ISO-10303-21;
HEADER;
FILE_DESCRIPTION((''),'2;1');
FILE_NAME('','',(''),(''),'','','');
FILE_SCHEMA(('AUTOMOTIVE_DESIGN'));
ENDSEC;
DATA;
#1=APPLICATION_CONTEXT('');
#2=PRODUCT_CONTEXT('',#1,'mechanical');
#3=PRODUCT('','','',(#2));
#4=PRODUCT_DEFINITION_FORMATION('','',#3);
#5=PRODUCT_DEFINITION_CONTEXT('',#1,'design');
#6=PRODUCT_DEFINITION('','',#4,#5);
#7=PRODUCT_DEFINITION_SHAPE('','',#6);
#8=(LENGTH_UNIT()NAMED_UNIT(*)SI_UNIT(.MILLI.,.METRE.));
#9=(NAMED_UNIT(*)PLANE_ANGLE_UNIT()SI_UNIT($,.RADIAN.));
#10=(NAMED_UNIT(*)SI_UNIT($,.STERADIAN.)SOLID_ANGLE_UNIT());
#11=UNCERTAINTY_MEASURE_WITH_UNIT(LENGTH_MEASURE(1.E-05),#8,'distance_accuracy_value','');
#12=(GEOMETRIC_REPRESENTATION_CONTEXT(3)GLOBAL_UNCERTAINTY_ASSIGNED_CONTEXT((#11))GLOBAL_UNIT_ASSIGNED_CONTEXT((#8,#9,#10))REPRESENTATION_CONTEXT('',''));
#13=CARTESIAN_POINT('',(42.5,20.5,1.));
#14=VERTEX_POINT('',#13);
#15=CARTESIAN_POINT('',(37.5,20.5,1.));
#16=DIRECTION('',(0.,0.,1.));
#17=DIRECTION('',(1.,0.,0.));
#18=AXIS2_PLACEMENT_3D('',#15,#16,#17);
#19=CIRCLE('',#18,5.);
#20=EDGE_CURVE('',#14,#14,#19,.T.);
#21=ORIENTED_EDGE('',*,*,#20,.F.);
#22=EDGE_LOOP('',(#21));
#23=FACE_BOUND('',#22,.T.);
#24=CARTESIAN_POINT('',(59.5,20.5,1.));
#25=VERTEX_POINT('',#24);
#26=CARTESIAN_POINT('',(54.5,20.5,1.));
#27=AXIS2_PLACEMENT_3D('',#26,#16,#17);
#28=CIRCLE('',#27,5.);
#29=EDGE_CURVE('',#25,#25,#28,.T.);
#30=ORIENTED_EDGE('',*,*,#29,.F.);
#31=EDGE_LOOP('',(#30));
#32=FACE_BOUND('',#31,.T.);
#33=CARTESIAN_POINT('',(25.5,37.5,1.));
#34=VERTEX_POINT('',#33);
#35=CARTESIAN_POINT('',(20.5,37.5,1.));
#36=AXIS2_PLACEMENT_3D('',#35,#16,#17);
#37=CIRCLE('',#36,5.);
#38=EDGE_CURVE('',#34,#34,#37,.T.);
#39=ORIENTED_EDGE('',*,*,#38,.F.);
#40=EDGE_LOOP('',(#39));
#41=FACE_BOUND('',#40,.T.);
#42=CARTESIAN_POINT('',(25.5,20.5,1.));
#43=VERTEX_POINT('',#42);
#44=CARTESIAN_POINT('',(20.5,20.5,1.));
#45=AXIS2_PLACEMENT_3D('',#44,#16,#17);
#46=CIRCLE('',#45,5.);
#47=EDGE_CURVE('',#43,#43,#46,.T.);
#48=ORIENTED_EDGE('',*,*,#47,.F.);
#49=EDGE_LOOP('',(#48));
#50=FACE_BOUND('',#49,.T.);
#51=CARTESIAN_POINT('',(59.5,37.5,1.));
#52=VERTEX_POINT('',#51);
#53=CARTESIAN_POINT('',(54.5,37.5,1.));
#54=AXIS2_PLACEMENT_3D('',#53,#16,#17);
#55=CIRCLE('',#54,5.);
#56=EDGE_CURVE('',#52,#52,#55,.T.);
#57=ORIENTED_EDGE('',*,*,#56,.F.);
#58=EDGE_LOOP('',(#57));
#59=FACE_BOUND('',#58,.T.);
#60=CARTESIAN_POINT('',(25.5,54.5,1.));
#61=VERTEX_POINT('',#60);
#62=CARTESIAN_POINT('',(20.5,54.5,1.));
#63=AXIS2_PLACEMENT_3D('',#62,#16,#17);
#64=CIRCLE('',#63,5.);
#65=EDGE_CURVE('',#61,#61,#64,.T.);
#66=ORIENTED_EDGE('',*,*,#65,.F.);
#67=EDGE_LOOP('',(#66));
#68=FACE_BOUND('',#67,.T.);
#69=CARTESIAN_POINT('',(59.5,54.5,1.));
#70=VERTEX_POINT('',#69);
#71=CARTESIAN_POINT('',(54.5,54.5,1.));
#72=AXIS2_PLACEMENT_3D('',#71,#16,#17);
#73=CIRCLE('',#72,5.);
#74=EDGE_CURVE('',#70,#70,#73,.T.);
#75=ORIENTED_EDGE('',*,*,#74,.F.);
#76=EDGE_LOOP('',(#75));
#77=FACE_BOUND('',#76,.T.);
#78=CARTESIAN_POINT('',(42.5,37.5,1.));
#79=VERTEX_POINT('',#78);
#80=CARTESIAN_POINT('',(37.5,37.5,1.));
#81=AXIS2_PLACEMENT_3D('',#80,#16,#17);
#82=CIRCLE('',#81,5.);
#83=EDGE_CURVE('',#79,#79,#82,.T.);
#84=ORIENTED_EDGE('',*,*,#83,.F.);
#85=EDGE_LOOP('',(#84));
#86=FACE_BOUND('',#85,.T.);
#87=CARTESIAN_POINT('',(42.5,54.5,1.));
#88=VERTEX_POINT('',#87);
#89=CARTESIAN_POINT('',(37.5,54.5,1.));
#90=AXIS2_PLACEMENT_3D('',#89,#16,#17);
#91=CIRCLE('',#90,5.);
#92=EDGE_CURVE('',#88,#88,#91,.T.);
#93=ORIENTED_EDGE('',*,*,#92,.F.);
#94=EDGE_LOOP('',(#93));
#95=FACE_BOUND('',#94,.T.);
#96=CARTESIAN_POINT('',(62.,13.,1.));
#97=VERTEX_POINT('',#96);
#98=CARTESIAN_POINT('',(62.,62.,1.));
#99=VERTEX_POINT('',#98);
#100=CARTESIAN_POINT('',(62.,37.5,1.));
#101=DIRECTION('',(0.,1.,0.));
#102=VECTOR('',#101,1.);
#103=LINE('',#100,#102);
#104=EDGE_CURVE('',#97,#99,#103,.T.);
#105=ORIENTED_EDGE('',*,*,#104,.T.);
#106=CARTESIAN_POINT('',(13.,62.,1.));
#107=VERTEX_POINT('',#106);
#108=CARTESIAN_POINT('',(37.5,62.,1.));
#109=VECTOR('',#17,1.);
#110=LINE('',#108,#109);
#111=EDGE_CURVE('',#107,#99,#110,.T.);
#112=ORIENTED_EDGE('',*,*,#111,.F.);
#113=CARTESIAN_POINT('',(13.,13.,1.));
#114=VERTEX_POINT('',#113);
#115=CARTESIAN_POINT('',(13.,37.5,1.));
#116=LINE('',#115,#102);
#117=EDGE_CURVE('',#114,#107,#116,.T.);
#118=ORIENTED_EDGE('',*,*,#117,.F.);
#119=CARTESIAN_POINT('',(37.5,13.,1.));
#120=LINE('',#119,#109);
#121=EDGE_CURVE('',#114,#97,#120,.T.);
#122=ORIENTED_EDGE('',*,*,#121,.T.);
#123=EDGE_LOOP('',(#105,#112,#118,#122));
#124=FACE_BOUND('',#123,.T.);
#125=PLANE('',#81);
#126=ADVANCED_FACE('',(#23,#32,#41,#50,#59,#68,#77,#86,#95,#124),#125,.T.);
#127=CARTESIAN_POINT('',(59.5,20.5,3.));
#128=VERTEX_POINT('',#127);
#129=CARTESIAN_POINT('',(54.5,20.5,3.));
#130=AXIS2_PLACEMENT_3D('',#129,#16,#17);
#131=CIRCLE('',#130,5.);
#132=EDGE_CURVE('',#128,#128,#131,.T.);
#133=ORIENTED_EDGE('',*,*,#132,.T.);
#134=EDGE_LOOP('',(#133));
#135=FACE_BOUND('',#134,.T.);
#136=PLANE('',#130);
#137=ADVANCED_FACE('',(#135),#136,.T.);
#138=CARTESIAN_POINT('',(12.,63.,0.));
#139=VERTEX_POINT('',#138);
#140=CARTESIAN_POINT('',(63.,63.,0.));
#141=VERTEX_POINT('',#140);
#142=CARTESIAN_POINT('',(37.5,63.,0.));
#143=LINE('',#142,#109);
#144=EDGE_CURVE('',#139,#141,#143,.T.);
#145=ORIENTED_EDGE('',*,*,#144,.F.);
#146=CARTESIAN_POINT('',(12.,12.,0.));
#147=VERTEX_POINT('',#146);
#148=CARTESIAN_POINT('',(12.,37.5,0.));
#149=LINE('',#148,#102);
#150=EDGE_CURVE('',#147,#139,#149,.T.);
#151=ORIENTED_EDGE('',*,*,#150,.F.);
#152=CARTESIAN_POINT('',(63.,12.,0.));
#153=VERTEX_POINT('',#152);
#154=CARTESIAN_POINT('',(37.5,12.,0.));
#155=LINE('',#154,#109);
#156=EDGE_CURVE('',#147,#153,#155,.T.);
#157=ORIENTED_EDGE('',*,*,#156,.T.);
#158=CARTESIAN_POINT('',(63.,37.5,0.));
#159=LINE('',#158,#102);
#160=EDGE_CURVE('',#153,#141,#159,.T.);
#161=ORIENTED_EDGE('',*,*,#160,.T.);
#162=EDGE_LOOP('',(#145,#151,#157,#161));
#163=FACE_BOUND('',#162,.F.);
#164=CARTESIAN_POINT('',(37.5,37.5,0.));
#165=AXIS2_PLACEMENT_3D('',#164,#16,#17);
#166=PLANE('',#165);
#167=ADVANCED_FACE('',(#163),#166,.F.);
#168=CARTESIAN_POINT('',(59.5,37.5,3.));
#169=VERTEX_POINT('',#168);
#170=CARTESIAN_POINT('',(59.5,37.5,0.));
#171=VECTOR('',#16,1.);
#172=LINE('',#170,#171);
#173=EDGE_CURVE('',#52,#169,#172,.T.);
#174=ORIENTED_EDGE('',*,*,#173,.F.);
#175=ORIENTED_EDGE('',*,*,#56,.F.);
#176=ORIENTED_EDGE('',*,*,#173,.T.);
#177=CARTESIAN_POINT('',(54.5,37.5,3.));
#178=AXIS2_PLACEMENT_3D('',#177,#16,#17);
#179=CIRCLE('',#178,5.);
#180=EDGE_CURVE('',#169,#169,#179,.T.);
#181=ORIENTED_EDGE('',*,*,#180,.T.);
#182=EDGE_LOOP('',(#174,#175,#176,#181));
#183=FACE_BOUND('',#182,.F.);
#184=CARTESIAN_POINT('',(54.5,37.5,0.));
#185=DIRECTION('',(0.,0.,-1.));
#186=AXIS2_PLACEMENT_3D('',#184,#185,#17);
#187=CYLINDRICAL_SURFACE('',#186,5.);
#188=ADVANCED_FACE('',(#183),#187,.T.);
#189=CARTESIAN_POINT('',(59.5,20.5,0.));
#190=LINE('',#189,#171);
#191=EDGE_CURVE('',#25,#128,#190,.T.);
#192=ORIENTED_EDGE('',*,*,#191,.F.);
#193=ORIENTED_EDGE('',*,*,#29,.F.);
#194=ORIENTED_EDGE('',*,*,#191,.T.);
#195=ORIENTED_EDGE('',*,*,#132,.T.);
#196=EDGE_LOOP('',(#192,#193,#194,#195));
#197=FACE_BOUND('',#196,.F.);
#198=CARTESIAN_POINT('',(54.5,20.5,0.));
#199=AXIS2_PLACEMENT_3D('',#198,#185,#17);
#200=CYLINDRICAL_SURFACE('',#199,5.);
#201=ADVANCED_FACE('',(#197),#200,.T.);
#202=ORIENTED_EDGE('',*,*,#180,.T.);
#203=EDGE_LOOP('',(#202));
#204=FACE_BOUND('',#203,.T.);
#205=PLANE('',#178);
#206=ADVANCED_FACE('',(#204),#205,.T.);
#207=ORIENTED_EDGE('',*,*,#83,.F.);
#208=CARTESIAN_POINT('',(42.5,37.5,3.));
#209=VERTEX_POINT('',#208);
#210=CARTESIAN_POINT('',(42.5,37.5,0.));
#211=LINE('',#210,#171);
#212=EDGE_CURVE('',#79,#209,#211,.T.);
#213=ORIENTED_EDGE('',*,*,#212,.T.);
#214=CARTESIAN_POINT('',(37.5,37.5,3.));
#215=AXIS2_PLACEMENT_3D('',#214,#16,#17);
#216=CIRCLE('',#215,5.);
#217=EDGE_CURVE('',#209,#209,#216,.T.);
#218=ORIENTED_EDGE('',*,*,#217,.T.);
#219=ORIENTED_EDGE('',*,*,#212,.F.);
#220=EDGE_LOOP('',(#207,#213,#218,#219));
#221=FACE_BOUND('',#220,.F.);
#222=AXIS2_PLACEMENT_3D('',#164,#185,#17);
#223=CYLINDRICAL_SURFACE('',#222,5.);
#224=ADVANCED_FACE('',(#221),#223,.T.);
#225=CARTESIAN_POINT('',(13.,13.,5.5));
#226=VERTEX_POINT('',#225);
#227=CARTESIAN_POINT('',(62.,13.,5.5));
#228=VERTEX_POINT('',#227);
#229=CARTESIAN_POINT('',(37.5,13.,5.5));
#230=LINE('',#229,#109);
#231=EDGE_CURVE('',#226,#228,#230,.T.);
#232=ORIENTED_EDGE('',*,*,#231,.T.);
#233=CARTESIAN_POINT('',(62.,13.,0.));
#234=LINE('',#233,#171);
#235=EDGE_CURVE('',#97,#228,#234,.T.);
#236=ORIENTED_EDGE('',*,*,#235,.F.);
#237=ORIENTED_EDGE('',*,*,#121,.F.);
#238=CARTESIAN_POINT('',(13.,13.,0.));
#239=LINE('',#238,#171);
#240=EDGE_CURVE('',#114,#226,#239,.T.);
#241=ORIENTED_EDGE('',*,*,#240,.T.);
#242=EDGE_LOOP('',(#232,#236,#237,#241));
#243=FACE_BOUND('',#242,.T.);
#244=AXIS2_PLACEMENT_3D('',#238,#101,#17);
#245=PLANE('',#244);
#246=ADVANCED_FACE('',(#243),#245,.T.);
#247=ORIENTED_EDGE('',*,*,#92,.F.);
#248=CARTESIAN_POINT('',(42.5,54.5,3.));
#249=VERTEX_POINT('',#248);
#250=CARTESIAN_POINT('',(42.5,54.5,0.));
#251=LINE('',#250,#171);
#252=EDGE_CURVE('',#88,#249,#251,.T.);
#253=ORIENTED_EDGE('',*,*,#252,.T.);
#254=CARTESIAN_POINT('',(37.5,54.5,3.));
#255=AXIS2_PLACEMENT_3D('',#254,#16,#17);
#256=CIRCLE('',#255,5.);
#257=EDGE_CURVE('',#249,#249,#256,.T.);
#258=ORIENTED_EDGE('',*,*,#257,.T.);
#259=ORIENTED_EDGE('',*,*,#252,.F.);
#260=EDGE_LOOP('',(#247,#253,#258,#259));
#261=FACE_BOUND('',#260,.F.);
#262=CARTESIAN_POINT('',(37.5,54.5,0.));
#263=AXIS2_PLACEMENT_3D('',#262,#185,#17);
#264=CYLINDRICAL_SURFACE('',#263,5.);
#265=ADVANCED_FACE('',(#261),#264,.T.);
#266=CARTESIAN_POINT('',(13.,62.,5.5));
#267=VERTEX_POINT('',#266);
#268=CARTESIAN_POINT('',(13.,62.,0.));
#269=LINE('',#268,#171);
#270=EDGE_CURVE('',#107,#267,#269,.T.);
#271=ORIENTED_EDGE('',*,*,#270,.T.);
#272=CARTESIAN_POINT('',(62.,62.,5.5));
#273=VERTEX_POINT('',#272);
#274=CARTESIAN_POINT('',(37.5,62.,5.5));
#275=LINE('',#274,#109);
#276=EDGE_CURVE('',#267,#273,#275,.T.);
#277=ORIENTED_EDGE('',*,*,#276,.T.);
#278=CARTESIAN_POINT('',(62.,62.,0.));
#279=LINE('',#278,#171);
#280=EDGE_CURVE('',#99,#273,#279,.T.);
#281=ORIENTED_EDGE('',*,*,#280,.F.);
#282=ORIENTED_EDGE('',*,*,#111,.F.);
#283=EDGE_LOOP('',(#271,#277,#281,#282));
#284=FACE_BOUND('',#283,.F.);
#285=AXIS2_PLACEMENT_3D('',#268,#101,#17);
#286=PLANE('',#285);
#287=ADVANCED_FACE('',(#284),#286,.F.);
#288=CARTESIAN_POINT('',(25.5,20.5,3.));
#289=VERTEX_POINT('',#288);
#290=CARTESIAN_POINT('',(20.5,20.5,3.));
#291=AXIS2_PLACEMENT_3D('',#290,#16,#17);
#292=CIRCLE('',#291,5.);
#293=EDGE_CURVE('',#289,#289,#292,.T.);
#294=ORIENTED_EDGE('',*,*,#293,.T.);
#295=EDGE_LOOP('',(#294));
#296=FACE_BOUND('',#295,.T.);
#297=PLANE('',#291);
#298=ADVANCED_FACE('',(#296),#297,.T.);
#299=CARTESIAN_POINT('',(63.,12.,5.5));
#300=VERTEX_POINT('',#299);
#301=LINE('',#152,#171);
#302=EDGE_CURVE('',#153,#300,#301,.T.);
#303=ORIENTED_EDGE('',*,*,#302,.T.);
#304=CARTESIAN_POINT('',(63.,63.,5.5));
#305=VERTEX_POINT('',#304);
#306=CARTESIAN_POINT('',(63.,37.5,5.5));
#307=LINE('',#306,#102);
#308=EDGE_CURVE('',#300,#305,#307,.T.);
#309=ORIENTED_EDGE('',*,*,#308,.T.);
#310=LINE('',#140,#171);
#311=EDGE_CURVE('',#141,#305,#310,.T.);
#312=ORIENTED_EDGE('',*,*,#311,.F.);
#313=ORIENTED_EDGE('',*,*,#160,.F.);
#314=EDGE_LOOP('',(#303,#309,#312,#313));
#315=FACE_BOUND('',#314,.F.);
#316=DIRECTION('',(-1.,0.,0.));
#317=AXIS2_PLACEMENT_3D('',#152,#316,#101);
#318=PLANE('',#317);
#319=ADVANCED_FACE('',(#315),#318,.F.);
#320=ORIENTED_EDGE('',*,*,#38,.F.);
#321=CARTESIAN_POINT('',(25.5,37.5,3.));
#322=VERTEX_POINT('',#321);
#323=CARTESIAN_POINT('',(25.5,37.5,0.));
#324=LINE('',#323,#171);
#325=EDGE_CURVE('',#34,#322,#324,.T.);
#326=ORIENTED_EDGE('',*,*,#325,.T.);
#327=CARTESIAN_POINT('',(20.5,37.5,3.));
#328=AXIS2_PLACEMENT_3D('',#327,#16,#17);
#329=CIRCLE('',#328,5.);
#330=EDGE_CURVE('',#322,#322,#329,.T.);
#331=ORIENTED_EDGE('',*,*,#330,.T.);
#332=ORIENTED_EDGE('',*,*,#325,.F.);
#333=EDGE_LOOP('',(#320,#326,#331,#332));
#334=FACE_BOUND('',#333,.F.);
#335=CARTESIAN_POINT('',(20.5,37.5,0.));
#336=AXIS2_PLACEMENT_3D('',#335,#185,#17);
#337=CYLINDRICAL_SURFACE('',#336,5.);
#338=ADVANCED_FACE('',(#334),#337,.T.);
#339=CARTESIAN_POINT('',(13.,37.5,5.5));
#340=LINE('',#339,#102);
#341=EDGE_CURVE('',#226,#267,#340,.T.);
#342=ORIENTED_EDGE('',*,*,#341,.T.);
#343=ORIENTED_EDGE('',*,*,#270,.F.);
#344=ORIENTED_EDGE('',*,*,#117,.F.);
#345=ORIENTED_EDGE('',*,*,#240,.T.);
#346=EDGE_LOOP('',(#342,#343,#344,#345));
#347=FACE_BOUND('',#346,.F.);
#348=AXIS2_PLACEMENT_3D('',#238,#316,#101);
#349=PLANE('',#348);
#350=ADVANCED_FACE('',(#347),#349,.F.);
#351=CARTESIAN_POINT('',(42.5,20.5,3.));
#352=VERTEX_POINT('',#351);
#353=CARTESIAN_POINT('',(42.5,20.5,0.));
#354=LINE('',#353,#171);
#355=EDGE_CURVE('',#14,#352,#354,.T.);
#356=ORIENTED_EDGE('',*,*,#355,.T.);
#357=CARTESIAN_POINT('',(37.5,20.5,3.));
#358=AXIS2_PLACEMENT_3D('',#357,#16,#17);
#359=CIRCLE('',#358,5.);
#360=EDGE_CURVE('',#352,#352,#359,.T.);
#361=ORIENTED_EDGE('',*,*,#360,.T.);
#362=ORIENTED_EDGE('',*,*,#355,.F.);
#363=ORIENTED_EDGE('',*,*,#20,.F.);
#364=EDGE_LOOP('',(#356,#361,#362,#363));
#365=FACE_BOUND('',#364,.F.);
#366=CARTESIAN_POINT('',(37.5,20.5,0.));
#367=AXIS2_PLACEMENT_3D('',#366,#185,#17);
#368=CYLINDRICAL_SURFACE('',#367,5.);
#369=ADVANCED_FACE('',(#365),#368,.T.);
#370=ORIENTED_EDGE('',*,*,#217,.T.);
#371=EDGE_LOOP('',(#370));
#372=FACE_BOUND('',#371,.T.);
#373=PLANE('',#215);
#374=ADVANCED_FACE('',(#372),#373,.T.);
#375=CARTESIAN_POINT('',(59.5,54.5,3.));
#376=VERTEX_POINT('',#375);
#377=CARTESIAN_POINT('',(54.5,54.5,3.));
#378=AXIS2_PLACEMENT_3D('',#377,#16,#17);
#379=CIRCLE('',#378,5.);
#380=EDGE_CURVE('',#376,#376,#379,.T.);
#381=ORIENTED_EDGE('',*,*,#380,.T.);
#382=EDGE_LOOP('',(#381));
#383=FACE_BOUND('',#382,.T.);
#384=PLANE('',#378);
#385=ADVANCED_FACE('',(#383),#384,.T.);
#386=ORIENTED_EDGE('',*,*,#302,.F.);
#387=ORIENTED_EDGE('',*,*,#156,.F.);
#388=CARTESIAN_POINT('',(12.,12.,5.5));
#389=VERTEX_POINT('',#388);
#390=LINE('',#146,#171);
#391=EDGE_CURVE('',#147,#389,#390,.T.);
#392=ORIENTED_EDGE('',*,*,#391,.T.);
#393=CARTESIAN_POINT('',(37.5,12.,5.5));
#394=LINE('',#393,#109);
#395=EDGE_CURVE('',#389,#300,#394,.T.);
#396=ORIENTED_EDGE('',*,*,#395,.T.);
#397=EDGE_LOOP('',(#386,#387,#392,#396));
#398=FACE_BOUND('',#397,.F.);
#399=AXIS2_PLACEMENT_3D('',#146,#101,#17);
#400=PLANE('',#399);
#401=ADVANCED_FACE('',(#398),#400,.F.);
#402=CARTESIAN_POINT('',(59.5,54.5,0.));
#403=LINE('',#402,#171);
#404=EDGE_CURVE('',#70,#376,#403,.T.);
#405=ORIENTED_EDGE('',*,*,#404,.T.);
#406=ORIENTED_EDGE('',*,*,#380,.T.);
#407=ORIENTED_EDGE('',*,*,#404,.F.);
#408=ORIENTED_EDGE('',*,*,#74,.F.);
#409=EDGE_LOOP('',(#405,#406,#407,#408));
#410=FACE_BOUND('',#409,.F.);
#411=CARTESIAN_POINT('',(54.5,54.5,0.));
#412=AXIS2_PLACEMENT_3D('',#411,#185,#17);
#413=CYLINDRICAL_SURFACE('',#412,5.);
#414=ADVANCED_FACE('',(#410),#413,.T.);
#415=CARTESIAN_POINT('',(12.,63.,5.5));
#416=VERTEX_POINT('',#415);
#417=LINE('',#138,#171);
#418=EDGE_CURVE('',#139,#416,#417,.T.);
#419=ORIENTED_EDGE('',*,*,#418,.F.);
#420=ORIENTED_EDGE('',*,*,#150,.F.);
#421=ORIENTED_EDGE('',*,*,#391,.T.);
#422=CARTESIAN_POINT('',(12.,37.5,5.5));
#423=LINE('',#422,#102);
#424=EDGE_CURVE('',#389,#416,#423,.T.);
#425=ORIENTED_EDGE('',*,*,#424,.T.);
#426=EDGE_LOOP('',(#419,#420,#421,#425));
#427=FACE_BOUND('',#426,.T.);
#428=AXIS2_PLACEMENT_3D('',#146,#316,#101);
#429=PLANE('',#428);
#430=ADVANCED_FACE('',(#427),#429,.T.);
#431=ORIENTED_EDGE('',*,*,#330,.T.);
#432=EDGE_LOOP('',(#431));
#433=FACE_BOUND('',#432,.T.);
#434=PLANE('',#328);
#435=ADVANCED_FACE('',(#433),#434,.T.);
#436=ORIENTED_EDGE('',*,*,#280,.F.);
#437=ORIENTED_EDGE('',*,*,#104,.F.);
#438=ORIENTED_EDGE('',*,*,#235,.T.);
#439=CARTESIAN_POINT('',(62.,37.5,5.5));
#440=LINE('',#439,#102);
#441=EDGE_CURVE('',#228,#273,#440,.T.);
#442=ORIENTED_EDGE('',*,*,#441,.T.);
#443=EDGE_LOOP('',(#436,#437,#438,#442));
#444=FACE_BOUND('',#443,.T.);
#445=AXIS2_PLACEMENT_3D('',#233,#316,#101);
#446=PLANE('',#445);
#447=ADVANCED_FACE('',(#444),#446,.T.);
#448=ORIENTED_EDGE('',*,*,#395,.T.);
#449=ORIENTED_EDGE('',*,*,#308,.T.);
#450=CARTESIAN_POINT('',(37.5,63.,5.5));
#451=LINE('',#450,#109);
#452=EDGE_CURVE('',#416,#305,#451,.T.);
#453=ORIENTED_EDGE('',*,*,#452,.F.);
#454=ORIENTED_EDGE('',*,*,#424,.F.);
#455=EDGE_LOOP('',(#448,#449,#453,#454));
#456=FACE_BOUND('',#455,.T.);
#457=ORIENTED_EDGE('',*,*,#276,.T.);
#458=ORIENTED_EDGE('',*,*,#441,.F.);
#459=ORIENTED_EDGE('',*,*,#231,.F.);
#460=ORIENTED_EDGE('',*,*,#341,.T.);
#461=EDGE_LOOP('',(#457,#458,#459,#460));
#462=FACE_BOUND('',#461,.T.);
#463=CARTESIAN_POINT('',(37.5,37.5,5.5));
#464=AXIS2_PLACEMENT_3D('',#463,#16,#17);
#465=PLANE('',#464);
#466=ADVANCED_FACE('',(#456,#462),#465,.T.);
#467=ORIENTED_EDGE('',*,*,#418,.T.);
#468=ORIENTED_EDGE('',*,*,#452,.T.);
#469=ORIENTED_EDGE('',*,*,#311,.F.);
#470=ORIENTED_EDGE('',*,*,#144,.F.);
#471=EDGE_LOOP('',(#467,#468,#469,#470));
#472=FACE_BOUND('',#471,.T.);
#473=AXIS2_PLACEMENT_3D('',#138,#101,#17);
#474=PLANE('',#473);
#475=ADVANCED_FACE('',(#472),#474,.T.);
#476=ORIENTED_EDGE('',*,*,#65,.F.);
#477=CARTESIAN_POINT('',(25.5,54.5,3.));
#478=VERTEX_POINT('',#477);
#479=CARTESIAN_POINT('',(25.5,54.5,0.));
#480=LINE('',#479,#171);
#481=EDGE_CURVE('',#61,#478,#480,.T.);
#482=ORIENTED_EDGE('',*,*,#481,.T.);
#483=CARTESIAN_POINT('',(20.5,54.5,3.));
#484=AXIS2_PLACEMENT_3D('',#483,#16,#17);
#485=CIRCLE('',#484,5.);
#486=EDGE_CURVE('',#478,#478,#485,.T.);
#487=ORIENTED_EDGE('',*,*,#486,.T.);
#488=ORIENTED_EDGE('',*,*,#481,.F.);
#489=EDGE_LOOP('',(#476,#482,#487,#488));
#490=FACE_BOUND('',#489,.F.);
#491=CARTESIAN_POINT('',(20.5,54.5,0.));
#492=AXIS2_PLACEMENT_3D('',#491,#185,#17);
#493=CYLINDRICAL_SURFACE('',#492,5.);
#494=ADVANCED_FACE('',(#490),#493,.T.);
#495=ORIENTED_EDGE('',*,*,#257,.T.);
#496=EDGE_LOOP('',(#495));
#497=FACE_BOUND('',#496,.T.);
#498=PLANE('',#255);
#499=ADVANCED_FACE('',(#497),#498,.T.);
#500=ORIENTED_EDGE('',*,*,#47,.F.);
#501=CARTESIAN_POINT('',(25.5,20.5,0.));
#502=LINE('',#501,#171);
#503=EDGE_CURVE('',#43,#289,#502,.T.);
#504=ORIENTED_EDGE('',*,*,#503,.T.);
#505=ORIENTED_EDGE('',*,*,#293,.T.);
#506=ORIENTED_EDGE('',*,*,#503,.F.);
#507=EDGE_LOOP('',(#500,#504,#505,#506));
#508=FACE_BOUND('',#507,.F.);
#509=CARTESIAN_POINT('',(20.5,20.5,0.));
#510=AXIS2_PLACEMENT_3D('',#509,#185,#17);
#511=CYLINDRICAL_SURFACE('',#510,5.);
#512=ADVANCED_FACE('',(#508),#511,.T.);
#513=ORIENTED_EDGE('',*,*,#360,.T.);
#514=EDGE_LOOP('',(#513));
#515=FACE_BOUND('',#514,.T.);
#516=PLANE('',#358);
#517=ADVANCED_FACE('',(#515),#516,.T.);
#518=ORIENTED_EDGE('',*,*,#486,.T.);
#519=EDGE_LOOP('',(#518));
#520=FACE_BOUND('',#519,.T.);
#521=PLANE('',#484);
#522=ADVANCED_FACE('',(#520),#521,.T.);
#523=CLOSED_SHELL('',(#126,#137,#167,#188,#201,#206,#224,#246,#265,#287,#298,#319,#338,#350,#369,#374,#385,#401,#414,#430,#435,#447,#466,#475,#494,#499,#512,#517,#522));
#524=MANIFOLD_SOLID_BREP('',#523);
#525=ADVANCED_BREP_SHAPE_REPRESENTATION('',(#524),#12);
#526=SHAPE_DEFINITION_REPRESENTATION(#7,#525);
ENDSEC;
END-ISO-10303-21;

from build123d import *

# Parameters (mm, degrees)
F0_R     = 5
F1_DEPTH = 3
F0_W     = 49
F0_H     = 49
F2_DEPTH = 1
F0_W_2   = 51
F0_H_2   = 51
F3_DEPTH = 5.5


with BuildPart() as f1:
    # F0 (on Top) → F1 (new body)
    with BuildSketch(Plane.XY):
        with Locations((20.5, 54.5)):
            Circle(F0_R)
    extrude(amount=F1_DEPTH)



with BuildPart() as f1b:
    # F0 (on Top) → F1, piece 2 (new body)
    with BuildSketch(Plane.XY):
        with Locations((37.5, 54.5)):
            Circle(F0_R)
    extrude(amount=F1_DEPTH)


with BuildPart() as f1c:
    # F0 (on Top) → F1, piece 3 (new body)
    with BuildSketch(Plane.XY):
        with Locations((54.5, 54.5)):
            Circle(F0_R)
    extrude(amount=F1_DEPTH)


with BuildPart() as f1d:
    # F0 (on Top) → F1, piece 4 (new body)
    with BuildSketch(Plane.XY):
        with Locations((54.5, 37.5)):
            Circle(F0_R)
    extrude(amount=F1_DEPTH)


with BuildPart() as f1e:
    # F0 (on Top) → F1, piece 5 (new body)
    with BuildSketch(Plane.XY):
        with Locations((37.5, 37.5)):
            Circle(F0_R)
    extrude(amount=F1_DEPTH)


with BuildPart() as f1f:
    # F0 (on Top) → F1, piece 6 (new body)
    with BuildSketch(Plane.XY):
        with Locations((20.5, 37.5)):
            Circle(F0_R)
    extrude(amount=F1_DEPTH)


with BuildPart() as f1g:
    # F0 (on Top) → F1, piece 7 (new body)
    with BuildSketch(Plane.XY):
        with Locations((20.5, 20.5)):
            Circle(F0_R)
    extrude(amount=F1_DEPTH)


with BuildPart() as f1h:
    # F0 (on Top) → F1, piece 8 (new body)
    with BuildSketch(Plane.XY):
        with Locations((37.5, 20.5)):
            Circle(F0_R)
    extrude(amount=F1_DEPTH)


with BuildPart() as f1i:
    # F0 (on Top) → F1, piece 9 (new body)
    with BuildSketch(Plane.XY):
        with Locations((54.5, 20.5)):
            Circle(F0_R)
    extrude(amount=F1_DEPTH)


with BuildPart() as f1_1:
    add(f1.part)

    add(f1b.part)  # F2 merges F1b

    add(f1c.part)  # F2 merges F1c

    add(f1d.part)  # F2 merges F1d

    add(f1e.part)  # F2 merges F1e

    add(f1f.part)  # F2 merges F1f

    add(f1g.part)  # F2 merges F1g

    add(f1h.part)  # F2 merges F1h

    add(f1i.part)  # F2 merges F1i
    # F0 (on Top) → F2 (join)
    with BuildSketch(Plane.XY):
        with Locations((37.5, 37.5)):
            Rectangle(F0_W, F0_H)
        with Locations((20.5, 20.5)):
            Circle(F0_R, mode=Mode.SUBTRACT)
        with Locations((37.5, 20.5)):
            Circle(F0_R, mode=Mode.SUBTRACT)
        with Locations((54.5, 20.5)):
            Circle(F0_R, mode=Mode.SUBTRACT)
        with Locations((20.5, 37.5)):
            Circle(F0_R, mode=Mode.SUBTRACT)
        with Locations((20.5, 54.5)):
            Circle(F0_R, mode=Mode.SUBTRACT)
        with Locations((37.5, 37.5)):
            Circle(F0_R, mode=Mode.SUBTRACT)
        with Locations((54.5, 37.5)):
            Circle(F0_R, mode=Mode.SUBTRACT)
        with Locations((37.5, 54.5)):
            Circle(F0_R, mode=Mode.SUBTRACT)
        with Locations((54.5, 54.5)):
            Circle(F0_R, mode=Mode.SUBTRACT)
    extrude(amount=F2_DEPTH)

    # F0 (on Top) → F3 (join)
    with BuildSketch(Plane.XY):
        with Locations((37.5, 37.5)):
            Rectangle(F0_W_2, F0_H_2)
        with Locations((37.5, 37.5)):
            Rectangle(F0_W, F0_H, mode=Mode.SUBTRACT)
    extrude(amount=F3_DEPTH)


solid = f1_1.part
